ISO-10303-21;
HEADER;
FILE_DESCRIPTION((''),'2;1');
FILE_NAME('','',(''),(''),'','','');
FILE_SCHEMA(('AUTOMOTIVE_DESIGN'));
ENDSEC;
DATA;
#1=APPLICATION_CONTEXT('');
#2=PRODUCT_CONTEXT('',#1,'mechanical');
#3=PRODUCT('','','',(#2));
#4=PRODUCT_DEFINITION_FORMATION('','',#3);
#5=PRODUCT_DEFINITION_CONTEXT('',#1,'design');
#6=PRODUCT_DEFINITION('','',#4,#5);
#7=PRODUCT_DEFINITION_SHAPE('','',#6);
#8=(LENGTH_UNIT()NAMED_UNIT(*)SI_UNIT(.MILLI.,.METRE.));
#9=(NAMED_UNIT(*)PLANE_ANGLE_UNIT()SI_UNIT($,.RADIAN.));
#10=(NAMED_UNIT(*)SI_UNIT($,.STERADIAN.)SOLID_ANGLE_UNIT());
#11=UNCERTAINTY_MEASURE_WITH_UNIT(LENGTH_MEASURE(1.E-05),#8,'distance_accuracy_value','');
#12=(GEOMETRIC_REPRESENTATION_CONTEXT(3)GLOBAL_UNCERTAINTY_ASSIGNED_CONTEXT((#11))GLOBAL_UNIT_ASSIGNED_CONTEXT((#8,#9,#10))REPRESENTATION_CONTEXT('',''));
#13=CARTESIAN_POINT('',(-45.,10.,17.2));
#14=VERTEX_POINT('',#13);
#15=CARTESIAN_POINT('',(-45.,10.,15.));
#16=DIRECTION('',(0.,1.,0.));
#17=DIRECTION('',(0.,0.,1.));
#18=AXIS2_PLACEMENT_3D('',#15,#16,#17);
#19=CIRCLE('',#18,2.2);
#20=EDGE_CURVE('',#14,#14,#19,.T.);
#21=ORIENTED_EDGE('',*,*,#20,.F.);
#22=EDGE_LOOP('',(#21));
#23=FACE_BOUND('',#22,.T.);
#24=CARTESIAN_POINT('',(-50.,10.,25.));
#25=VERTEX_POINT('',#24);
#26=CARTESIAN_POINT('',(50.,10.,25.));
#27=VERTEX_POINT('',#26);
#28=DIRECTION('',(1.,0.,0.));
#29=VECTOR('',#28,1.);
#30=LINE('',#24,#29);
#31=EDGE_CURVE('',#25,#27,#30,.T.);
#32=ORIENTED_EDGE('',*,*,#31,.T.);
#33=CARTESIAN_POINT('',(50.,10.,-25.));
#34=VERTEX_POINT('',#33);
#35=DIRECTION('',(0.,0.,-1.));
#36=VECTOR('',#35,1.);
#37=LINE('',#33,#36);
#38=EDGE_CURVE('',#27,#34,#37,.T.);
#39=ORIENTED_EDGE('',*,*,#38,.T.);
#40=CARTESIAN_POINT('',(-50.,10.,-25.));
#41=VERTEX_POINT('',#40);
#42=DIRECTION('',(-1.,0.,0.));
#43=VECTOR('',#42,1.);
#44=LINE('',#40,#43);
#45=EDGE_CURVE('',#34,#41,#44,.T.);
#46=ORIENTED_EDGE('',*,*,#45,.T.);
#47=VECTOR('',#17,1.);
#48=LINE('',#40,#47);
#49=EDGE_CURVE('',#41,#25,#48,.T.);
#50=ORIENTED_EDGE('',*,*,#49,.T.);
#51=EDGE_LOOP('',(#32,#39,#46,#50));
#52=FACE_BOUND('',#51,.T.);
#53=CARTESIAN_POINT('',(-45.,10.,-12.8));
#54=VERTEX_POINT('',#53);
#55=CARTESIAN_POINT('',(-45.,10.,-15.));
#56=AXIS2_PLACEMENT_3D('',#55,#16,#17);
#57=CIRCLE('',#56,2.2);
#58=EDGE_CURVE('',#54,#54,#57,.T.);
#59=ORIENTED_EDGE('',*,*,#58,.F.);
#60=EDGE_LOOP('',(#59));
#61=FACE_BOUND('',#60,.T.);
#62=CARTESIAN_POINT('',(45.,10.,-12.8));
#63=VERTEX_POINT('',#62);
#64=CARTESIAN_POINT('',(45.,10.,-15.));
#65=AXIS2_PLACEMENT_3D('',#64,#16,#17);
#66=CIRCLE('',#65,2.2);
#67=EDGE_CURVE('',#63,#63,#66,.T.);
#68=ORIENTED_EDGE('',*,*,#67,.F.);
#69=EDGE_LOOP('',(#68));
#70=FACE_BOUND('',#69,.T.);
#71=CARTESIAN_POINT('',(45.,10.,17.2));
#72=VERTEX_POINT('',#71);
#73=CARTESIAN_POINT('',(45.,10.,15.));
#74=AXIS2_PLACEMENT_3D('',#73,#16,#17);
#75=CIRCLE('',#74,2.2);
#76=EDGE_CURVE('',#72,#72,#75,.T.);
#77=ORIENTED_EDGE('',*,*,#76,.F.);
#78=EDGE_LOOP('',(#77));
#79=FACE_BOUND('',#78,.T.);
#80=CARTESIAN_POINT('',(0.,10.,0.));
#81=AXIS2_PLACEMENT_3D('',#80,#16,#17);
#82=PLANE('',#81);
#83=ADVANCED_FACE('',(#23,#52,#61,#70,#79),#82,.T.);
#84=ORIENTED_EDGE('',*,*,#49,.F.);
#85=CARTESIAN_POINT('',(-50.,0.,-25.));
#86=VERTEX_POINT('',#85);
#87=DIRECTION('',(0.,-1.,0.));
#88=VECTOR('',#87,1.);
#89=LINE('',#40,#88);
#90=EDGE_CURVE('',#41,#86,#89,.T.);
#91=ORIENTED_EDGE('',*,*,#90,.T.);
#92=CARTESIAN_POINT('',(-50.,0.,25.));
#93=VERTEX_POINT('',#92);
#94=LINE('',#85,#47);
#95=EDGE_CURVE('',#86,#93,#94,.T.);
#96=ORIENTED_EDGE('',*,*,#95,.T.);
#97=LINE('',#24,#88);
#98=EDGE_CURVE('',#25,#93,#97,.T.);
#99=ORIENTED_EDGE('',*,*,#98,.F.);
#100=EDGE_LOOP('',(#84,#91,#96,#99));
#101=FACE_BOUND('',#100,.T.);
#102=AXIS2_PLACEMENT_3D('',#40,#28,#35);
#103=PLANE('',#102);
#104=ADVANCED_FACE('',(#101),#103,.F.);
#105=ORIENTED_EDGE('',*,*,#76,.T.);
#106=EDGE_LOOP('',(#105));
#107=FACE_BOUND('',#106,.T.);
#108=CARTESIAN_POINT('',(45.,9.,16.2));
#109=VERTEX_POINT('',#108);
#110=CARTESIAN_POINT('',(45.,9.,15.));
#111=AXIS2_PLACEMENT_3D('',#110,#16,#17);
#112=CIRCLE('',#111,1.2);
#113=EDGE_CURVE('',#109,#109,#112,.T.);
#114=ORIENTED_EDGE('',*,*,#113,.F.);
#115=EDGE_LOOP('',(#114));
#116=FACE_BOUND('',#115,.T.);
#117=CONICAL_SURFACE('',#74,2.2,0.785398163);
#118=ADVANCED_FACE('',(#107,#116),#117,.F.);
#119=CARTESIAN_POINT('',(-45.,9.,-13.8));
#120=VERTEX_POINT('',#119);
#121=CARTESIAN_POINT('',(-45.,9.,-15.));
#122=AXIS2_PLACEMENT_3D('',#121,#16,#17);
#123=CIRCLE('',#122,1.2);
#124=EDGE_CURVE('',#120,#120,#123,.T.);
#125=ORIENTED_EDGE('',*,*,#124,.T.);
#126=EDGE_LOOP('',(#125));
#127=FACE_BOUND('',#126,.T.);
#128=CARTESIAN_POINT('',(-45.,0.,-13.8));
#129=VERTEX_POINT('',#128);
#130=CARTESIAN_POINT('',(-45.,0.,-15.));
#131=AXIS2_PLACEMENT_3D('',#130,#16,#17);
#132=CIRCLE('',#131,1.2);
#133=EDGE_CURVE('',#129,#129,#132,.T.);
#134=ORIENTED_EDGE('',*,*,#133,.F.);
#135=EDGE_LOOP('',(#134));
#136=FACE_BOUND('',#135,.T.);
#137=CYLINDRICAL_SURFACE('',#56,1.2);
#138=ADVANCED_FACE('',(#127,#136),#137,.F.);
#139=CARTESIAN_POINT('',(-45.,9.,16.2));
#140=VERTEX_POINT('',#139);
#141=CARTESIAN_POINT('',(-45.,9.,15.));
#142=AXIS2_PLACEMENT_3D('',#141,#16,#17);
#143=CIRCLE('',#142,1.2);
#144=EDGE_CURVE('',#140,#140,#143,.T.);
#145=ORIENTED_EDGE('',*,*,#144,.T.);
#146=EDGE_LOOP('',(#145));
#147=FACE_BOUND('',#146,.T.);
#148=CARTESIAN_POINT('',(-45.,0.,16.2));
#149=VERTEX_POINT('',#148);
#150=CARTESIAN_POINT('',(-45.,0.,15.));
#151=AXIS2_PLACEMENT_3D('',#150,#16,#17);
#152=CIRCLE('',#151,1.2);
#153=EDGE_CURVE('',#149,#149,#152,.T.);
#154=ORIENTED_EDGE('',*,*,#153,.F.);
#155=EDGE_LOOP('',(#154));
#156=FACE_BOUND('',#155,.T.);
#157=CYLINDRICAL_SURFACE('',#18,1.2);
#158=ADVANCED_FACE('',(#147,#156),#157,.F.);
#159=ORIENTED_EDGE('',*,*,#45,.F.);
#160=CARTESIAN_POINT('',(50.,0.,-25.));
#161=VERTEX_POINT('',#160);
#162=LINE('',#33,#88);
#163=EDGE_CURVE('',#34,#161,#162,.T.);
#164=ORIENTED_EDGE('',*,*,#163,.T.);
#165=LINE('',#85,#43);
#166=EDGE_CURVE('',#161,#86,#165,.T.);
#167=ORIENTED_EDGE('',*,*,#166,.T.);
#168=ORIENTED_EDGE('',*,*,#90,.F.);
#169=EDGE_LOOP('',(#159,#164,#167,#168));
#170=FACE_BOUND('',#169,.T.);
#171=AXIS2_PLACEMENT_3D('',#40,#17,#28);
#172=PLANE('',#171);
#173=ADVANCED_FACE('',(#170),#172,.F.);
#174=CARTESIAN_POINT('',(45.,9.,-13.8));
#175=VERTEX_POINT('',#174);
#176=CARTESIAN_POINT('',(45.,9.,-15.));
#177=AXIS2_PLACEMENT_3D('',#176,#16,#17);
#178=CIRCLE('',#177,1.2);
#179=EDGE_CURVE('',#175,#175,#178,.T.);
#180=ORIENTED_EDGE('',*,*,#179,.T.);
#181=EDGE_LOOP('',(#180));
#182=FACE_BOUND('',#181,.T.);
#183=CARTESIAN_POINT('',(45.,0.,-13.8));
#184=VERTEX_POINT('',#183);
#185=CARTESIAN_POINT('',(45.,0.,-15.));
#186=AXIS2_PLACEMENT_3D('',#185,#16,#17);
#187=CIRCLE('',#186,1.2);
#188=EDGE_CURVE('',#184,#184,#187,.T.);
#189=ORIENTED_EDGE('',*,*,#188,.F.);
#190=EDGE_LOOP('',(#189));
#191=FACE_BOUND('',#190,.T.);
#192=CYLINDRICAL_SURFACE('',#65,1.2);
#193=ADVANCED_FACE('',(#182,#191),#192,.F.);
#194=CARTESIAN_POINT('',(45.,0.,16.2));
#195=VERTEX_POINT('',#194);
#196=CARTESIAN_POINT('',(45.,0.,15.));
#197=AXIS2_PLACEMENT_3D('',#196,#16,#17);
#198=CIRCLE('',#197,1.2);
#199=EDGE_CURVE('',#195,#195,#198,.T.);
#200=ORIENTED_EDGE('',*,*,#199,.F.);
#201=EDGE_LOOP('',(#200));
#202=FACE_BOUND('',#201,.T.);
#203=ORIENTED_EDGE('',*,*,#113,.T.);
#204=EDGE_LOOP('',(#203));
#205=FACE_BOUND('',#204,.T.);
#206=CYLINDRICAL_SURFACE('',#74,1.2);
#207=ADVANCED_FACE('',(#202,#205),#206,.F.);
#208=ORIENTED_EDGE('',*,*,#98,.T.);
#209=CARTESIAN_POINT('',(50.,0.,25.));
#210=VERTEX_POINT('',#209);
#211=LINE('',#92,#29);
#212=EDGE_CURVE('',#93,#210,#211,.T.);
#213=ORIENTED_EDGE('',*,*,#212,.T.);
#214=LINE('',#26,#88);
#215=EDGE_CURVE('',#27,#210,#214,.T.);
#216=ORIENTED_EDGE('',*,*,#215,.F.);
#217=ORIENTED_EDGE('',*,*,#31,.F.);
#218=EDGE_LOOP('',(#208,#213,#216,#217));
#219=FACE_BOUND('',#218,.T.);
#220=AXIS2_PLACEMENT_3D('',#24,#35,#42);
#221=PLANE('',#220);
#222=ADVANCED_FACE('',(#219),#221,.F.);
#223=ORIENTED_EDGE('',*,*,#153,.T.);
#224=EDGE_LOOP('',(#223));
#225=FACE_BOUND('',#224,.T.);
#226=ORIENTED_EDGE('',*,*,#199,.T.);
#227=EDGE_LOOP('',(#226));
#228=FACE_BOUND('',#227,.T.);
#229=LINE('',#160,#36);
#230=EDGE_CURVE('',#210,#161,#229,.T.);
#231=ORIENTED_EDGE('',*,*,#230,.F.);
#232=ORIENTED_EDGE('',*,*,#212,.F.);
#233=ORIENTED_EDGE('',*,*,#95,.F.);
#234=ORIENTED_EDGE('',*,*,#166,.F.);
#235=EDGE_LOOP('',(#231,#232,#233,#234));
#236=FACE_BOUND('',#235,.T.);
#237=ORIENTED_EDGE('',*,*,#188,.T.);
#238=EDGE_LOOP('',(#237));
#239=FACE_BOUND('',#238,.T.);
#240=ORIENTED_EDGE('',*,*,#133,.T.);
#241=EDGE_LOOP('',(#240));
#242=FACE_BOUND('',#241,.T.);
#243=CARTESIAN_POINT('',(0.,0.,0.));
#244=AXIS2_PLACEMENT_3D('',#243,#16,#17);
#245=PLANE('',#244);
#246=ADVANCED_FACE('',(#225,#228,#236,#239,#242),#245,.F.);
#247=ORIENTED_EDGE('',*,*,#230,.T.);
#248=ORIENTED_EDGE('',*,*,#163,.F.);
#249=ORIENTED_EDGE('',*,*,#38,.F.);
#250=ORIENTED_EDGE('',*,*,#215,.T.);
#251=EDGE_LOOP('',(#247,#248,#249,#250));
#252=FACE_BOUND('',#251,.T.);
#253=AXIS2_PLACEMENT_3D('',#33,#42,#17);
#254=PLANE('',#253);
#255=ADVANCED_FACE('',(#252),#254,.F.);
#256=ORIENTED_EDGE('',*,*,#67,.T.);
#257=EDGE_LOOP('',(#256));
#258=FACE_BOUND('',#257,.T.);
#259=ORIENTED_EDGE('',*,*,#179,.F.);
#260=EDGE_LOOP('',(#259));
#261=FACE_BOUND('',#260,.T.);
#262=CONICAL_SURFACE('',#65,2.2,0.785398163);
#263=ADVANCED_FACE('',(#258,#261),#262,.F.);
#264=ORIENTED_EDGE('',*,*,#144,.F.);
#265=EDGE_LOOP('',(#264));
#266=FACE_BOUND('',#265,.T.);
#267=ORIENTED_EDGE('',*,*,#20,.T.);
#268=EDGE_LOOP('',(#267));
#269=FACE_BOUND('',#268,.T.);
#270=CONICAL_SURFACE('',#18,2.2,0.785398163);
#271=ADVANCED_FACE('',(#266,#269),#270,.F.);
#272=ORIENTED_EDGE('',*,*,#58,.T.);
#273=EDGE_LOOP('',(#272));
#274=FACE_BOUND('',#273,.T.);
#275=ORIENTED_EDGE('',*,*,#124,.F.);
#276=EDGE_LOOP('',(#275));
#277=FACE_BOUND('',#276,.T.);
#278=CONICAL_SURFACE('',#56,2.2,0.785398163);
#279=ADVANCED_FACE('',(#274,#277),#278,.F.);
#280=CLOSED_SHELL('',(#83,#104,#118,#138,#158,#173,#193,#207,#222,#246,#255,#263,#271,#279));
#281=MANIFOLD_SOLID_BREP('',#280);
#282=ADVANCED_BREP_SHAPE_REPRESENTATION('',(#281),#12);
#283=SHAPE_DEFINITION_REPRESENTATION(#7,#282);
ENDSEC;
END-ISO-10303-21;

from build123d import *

# Parameters (mm, degrees)
SKETCH1_W                                       = 100
SKETCH1_H                                       = 50
BOSS_EXTRUDE1_DEPTH                             = 10
CSK_FOR_M2_FLAT_HEAD_MACHINE_SCREW1_D           = 2.4
CSK_FOR_M2_FLAT_HEAD_MACHINE_SCREW1_CSINK_D     = 4.4
CSK_FOR_M2_FLAT_HEAD_MACHINE_SCREW1_CSINK_ANGLE = 90


with BuildPart() as part:
    # Sketch1 → Boss-Extrude1 (new body)
    with BuildSketch(Plane(origin=(0, 0, 0), x_dir=(1, 0, 0), z_dir=(0, 1, 0))):
        Rectangle(SKETCH1_W, SKETCH1_H)
    extrude(amount=BOSS_EXTRUDE1_DEPTH)

    # CSK for M2 Flat Head Machine Screw1 (through all)
    with Locations(Plane(origin=(-45, 10, -15), x_dir=(0, 0, 1), z_dir=(0, 1, 0))):
        with Locations((0, 0), (0, 90), (30, 90), (30, 0)):
            CounterSinkHole(CSK_FOR_M2_FLAT_HEAD_MACHINE_SCREW1_D / 2, CSK_FOR_M2_FLAT_HEAD_MACHINE_SCREW1_CSINK_D / 2, counter_sink_angle=CSK_FOR_M2_FLAT_HEAD_MACHINE_SCREW1_CSINK_ANGLE)


solid = part.part
